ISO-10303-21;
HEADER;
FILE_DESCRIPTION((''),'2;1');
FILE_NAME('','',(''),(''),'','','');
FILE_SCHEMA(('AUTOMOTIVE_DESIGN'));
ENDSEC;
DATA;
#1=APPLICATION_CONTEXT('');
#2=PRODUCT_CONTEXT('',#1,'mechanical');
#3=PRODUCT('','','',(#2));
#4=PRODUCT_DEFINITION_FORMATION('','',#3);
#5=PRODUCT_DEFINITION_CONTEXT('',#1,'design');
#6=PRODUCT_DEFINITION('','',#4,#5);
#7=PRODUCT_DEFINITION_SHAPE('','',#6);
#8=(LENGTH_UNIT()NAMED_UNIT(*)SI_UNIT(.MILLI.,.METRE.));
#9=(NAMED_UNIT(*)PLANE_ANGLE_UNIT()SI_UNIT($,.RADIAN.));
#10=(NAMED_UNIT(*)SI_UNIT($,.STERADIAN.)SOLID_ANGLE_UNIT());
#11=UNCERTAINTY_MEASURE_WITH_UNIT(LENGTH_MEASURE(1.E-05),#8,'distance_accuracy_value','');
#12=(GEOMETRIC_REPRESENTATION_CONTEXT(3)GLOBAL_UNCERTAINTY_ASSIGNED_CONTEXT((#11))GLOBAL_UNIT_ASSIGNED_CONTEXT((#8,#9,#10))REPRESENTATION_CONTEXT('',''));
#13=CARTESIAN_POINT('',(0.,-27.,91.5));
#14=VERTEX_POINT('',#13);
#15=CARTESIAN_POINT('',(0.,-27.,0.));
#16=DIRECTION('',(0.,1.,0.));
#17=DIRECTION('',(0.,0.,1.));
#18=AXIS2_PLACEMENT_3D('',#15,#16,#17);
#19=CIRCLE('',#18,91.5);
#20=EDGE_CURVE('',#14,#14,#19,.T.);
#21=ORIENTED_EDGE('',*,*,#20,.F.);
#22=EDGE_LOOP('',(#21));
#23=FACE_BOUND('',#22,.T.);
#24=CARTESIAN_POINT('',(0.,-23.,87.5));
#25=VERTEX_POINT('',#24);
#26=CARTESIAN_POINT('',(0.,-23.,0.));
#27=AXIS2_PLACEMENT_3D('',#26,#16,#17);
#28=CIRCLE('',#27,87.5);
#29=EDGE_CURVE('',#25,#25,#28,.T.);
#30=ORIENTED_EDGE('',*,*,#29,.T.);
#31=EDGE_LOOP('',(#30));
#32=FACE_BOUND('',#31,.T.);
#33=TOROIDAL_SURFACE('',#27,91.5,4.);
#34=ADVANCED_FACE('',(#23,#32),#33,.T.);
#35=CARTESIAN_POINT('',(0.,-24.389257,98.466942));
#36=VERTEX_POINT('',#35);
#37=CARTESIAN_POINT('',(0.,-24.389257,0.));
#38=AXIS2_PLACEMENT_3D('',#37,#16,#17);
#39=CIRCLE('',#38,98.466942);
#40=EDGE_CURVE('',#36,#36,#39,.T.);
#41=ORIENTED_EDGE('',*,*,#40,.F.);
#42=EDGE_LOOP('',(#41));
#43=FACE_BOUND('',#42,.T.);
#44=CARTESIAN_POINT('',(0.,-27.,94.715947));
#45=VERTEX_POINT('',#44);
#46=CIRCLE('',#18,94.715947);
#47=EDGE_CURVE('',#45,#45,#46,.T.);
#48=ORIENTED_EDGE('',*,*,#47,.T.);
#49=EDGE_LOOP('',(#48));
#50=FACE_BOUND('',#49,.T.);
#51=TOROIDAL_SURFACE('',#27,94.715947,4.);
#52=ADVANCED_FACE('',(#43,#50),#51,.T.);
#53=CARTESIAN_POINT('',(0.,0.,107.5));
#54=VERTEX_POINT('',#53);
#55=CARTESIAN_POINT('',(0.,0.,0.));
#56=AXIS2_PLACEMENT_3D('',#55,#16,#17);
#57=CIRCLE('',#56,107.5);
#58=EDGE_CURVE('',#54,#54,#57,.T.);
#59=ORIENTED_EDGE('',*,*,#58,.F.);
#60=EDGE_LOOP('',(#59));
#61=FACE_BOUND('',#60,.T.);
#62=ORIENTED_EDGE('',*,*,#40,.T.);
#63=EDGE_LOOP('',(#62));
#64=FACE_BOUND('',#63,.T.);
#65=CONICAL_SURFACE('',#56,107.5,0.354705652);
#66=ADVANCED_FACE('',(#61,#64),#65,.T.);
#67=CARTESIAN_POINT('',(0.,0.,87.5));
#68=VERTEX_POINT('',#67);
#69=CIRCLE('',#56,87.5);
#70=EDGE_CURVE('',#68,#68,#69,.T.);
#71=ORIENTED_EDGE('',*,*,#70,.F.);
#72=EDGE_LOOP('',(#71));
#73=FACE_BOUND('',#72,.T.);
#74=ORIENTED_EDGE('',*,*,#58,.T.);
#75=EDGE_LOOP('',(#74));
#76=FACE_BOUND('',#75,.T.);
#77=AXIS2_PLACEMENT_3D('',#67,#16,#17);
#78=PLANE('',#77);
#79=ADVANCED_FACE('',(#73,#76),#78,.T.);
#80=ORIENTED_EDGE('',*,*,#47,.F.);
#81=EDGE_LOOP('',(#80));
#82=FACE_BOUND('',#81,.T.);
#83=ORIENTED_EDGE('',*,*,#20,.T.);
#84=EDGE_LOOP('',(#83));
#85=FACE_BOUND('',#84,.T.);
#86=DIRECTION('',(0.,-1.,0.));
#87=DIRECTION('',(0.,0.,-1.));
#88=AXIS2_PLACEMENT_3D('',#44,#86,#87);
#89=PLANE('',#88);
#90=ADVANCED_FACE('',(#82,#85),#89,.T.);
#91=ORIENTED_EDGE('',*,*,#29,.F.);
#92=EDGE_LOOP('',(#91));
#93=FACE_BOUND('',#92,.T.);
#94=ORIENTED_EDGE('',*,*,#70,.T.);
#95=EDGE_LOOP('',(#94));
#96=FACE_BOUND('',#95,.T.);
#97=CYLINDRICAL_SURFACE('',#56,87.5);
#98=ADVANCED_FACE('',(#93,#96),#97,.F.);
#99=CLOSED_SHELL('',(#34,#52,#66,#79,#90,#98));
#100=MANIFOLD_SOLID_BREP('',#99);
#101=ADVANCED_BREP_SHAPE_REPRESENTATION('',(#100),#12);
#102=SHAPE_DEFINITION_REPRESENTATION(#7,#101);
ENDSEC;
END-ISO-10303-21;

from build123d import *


with BuildPart() as part:
    # Sketch2 → Revolve1 (revolve)
    with BuildSketch(Plane(origin=(0, 0, 0), x_dir=(0, 0, -1), z_dir=(1, 0, 0))):
        with BuildLine():
            Line((-107.5, 0), (-98.466941695, -24.389257423))
            ThreePointArc((-98.466941695, -24.389257423), (-97.001003578, -26.283064856), (-94.715946652, -27))
            Line((-94.715946652, -27), (-91.5, -27))
            ThreePointArc((-91.5, -27), (-88.671572875, -25.828427125), (-87.5, -23))
            Line((-87.5, -23), (-87.5, 0))
            Line((-87.5, 0), (-107.5, 0))
        make_face()
    revolve(axis=Axis((0, 0, 0), (0, -1, 0)))


solid = part.part
